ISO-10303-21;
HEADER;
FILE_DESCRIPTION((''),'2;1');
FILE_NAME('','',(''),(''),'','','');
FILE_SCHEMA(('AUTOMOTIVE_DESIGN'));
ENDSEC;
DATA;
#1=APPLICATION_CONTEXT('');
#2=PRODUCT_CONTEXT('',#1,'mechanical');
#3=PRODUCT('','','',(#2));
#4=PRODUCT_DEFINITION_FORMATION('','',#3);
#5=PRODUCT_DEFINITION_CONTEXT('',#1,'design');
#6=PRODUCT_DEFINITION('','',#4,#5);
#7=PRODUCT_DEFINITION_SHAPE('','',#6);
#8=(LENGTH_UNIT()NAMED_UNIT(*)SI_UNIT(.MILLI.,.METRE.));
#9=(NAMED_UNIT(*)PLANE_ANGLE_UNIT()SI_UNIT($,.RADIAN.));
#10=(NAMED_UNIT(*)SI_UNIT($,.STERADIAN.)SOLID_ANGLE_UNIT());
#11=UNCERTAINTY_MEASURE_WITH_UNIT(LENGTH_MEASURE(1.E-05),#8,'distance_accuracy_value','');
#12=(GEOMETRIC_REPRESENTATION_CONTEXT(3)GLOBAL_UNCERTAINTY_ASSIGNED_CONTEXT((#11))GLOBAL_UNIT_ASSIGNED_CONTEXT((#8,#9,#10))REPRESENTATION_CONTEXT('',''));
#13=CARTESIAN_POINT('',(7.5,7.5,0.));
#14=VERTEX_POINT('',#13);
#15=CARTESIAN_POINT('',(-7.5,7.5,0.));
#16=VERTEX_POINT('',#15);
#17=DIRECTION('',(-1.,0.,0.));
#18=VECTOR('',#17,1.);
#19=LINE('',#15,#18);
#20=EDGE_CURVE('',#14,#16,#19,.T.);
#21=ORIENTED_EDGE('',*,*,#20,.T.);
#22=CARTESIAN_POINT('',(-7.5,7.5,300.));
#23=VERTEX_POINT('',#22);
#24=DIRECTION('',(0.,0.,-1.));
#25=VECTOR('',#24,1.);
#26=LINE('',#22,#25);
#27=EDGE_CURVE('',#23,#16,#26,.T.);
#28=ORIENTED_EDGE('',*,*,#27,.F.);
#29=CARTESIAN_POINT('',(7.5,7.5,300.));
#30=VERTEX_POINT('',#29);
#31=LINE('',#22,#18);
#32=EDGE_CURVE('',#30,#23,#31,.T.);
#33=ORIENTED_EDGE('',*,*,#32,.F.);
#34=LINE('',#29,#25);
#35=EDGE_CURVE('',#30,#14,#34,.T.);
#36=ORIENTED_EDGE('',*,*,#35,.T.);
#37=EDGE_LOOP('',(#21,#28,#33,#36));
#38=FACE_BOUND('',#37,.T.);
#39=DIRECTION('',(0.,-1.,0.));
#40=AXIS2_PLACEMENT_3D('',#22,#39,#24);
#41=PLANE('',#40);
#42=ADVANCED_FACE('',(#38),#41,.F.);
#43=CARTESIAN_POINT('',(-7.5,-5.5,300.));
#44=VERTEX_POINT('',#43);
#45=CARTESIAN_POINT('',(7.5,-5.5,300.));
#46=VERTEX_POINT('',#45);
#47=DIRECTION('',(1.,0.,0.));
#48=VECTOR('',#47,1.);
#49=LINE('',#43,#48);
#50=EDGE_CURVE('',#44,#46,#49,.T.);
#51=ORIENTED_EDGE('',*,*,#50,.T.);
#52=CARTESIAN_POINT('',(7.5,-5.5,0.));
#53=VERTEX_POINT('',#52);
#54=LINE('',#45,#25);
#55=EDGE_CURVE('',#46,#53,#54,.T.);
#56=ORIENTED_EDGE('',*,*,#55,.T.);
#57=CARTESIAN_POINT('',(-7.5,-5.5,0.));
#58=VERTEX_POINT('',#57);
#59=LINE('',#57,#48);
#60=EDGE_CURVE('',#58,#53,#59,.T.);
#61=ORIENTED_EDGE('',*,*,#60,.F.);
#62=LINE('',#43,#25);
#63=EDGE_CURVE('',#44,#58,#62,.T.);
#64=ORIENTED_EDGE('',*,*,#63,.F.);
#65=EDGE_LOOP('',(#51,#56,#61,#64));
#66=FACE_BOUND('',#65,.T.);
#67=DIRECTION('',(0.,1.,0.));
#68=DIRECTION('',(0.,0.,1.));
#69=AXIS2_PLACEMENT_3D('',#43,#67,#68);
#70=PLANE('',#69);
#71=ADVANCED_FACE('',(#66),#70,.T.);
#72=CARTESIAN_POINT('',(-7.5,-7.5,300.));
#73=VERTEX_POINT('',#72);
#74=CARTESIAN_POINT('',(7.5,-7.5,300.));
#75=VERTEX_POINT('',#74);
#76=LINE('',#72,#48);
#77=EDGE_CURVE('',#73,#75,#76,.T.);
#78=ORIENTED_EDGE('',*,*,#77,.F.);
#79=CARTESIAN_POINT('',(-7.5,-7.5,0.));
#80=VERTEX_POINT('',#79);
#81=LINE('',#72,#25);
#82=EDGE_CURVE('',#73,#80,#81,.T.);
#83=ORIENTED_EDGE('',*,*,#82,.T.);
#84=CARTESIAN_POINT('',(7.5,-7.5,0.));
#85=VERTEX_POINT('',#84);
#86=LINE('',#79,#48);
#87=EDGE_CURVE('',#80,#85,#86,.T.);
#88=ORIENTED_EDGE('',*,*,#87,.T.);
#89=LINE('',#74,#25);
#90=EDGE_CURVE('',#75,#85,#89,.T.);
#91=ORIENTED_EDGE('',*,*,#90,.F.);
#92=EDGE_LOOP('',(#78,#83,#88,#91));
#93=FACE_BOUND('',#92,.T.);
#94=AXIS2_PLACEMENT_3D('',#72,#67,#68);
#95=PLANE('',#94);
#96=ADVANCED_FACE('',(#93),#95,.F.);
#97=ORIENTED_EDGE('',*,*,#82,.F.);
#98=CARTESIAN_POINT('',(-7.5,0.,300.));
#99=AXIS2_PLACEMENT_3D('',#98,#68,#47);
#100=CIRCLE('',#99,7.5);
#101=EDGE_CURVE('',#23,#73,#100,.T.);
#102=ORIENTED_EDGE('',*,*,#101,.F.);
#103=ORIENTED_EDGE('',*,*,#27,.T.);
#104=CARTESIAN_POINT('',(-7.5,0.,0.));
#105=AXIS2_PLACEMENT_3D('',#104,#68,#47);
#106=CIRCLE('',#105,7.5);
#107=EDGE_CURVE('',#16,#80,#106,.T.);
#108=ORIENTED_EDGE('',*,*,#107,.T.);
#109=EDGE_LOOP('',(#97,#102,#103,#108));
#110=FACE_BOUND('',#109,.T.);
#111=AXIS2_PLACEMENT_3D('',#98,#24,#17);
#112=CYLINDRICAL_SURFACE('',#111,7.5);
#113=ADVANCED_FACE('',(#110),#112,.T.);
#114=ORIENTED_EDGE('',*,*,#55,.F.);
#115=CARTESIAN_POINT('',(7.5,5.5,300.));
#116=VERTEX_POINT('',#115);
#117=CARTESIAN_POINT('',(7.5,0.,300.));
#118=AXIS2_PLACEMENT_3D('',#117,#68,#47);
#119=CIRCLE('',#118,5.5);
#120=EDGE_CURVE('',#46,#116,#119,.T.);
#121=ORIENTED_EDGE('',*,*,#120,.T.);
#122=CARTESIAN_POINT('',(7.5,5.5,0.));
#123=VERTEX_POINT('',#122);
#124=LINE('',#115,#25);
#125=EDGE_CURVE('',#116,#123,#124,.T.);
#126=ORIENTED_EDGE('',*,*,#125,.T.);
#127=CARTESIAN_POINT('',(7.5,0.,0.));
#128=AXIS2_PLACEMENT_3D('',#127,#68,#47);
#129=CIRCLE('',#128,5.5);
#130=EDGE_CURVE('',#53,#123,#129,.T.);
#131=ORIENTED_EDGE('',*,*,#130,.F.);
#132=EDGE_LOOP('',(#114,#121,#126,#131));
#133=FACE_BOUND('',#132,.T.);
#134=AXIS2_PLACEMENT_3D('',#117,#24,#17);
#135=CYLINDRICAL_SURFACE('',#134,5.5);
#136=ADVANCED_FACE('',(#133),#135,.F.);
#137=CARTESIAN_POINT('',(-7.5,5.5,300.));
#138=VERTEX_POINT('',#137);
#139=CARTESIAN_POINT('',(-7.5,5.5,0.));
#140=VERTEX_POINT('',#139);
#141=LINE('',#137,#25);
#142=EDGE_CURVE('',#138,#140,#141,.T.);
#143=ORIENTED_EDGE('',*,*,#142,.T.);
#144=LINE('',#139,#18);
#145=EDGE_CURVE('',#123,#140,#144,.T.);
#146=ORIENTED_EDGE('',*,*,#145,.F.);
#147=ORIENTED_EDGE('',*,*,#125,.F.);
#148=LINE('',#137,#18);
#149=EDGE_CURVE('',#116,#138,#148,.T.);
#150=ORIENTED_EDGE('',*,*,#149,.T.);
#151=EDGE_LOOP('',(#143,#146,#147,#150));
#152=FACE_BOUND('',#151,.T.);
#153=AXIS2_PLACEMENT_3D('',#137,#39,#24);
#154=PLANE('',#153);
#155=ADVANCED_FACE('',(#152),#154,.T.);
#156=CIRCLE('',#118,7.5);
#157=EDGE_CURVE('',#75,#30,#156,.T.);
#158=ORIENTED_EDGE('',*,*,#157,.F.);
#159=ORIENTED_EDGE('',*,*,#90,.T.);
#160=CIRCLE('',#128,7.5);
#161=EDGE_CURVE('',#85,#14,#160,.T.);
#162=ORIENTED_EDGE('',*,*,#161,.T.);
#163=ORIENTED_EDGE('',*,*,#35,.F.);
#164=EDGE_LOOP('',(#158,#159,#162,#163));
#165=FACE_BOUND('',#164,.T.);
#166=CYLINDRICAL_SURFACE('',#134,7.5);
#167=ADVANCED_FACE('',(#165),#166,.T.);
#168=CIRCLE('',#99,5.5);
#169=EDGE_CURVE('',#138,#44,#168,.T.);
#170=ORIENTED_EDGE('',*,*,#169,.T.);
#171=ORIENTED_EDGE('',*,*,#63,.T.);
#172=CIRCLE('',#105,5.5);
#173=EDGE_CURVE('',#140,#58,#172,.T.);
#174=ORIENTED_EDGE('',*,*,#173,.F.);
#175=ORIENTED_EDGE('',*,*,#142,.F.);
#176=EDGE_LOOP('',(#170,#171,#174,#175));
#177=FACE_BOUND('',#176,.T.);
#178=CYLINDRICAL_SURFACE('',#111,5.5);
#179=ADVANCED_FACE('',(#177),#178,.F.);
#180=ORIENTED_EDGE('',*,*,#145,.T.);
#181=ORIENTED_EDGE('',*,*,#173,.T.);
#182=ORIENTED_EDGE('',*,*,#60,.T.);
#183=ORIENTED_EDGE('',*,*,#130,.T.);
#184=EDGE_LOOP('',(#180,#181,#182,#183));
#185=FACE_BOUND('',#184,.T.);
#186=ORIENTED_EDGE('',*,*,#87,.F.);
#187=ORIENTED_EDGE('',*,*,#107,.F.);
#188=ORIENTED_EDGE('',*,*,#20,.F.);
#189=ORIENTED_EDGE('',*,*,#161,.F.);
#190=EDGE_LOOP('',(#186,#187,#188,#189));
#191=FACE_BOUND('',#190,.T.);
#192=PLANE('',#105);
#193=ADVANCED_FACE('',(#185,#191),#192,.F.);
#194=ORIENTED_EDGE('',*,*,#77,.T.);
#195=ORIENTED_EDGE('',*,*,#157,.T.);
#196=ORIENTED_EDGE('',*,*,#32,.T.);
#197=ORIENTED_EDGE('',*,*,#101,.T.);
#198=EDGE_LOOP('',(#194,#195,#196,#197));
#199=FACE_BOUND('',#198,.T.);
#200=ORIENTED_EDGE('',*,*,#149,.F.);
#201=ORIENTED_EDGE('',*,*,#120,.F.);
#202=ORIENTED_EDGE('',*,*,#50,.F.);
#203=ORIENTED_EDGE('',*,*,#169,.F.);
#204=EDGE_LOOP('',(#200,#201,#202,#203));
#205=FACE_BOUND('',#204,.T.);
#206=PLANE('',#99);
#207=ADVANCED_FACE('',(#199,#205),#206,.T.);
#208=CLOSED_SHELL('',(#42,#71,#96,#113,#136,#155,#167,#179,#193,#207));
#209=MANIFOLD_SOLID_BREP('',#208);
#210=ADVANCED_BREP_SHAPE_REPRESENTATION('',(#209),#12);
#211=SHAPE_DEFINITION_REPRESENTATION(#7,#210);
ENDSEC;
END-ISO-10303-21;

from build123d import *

# Parameters (mm, degrees)
EXTRUDE_1_DEPTH = 300


with BuildPart() as part:
    # Эскиз1 → Бобышка-Вытянуть1 (new body)
    with BuildSketch(Plane.XY):
        with BuildLine():
            Line((-7.5, 7.5), (7.5, 7.5))
            ThreePointArc((7.5, 7.5), (15, 0), (7.5, -7.5))
            Line((7.5, -7.5), (-7.5, -7.5))
            ThreePointArc((-7.5, -7.5), (-15, 0), (-7.5, 7.5))
        make_face()
        with BuildLine():
            Line((-7.5, 5.5), (7.5, 5.5))
            ThreePointArc((7.5, 5.5), (13, 0), (7.5, -5.5))
            Line((7.5, -5.5), (-7.5, -5.5))
            ThreePointArc((-7.5, -5.5), (-13, 0), (-7.5, 5.5))
        make_face(mode=Mode.SUBTRACT)
    extrude(amount=EXTRUDE_1_DEPTH)


solid = part.part
